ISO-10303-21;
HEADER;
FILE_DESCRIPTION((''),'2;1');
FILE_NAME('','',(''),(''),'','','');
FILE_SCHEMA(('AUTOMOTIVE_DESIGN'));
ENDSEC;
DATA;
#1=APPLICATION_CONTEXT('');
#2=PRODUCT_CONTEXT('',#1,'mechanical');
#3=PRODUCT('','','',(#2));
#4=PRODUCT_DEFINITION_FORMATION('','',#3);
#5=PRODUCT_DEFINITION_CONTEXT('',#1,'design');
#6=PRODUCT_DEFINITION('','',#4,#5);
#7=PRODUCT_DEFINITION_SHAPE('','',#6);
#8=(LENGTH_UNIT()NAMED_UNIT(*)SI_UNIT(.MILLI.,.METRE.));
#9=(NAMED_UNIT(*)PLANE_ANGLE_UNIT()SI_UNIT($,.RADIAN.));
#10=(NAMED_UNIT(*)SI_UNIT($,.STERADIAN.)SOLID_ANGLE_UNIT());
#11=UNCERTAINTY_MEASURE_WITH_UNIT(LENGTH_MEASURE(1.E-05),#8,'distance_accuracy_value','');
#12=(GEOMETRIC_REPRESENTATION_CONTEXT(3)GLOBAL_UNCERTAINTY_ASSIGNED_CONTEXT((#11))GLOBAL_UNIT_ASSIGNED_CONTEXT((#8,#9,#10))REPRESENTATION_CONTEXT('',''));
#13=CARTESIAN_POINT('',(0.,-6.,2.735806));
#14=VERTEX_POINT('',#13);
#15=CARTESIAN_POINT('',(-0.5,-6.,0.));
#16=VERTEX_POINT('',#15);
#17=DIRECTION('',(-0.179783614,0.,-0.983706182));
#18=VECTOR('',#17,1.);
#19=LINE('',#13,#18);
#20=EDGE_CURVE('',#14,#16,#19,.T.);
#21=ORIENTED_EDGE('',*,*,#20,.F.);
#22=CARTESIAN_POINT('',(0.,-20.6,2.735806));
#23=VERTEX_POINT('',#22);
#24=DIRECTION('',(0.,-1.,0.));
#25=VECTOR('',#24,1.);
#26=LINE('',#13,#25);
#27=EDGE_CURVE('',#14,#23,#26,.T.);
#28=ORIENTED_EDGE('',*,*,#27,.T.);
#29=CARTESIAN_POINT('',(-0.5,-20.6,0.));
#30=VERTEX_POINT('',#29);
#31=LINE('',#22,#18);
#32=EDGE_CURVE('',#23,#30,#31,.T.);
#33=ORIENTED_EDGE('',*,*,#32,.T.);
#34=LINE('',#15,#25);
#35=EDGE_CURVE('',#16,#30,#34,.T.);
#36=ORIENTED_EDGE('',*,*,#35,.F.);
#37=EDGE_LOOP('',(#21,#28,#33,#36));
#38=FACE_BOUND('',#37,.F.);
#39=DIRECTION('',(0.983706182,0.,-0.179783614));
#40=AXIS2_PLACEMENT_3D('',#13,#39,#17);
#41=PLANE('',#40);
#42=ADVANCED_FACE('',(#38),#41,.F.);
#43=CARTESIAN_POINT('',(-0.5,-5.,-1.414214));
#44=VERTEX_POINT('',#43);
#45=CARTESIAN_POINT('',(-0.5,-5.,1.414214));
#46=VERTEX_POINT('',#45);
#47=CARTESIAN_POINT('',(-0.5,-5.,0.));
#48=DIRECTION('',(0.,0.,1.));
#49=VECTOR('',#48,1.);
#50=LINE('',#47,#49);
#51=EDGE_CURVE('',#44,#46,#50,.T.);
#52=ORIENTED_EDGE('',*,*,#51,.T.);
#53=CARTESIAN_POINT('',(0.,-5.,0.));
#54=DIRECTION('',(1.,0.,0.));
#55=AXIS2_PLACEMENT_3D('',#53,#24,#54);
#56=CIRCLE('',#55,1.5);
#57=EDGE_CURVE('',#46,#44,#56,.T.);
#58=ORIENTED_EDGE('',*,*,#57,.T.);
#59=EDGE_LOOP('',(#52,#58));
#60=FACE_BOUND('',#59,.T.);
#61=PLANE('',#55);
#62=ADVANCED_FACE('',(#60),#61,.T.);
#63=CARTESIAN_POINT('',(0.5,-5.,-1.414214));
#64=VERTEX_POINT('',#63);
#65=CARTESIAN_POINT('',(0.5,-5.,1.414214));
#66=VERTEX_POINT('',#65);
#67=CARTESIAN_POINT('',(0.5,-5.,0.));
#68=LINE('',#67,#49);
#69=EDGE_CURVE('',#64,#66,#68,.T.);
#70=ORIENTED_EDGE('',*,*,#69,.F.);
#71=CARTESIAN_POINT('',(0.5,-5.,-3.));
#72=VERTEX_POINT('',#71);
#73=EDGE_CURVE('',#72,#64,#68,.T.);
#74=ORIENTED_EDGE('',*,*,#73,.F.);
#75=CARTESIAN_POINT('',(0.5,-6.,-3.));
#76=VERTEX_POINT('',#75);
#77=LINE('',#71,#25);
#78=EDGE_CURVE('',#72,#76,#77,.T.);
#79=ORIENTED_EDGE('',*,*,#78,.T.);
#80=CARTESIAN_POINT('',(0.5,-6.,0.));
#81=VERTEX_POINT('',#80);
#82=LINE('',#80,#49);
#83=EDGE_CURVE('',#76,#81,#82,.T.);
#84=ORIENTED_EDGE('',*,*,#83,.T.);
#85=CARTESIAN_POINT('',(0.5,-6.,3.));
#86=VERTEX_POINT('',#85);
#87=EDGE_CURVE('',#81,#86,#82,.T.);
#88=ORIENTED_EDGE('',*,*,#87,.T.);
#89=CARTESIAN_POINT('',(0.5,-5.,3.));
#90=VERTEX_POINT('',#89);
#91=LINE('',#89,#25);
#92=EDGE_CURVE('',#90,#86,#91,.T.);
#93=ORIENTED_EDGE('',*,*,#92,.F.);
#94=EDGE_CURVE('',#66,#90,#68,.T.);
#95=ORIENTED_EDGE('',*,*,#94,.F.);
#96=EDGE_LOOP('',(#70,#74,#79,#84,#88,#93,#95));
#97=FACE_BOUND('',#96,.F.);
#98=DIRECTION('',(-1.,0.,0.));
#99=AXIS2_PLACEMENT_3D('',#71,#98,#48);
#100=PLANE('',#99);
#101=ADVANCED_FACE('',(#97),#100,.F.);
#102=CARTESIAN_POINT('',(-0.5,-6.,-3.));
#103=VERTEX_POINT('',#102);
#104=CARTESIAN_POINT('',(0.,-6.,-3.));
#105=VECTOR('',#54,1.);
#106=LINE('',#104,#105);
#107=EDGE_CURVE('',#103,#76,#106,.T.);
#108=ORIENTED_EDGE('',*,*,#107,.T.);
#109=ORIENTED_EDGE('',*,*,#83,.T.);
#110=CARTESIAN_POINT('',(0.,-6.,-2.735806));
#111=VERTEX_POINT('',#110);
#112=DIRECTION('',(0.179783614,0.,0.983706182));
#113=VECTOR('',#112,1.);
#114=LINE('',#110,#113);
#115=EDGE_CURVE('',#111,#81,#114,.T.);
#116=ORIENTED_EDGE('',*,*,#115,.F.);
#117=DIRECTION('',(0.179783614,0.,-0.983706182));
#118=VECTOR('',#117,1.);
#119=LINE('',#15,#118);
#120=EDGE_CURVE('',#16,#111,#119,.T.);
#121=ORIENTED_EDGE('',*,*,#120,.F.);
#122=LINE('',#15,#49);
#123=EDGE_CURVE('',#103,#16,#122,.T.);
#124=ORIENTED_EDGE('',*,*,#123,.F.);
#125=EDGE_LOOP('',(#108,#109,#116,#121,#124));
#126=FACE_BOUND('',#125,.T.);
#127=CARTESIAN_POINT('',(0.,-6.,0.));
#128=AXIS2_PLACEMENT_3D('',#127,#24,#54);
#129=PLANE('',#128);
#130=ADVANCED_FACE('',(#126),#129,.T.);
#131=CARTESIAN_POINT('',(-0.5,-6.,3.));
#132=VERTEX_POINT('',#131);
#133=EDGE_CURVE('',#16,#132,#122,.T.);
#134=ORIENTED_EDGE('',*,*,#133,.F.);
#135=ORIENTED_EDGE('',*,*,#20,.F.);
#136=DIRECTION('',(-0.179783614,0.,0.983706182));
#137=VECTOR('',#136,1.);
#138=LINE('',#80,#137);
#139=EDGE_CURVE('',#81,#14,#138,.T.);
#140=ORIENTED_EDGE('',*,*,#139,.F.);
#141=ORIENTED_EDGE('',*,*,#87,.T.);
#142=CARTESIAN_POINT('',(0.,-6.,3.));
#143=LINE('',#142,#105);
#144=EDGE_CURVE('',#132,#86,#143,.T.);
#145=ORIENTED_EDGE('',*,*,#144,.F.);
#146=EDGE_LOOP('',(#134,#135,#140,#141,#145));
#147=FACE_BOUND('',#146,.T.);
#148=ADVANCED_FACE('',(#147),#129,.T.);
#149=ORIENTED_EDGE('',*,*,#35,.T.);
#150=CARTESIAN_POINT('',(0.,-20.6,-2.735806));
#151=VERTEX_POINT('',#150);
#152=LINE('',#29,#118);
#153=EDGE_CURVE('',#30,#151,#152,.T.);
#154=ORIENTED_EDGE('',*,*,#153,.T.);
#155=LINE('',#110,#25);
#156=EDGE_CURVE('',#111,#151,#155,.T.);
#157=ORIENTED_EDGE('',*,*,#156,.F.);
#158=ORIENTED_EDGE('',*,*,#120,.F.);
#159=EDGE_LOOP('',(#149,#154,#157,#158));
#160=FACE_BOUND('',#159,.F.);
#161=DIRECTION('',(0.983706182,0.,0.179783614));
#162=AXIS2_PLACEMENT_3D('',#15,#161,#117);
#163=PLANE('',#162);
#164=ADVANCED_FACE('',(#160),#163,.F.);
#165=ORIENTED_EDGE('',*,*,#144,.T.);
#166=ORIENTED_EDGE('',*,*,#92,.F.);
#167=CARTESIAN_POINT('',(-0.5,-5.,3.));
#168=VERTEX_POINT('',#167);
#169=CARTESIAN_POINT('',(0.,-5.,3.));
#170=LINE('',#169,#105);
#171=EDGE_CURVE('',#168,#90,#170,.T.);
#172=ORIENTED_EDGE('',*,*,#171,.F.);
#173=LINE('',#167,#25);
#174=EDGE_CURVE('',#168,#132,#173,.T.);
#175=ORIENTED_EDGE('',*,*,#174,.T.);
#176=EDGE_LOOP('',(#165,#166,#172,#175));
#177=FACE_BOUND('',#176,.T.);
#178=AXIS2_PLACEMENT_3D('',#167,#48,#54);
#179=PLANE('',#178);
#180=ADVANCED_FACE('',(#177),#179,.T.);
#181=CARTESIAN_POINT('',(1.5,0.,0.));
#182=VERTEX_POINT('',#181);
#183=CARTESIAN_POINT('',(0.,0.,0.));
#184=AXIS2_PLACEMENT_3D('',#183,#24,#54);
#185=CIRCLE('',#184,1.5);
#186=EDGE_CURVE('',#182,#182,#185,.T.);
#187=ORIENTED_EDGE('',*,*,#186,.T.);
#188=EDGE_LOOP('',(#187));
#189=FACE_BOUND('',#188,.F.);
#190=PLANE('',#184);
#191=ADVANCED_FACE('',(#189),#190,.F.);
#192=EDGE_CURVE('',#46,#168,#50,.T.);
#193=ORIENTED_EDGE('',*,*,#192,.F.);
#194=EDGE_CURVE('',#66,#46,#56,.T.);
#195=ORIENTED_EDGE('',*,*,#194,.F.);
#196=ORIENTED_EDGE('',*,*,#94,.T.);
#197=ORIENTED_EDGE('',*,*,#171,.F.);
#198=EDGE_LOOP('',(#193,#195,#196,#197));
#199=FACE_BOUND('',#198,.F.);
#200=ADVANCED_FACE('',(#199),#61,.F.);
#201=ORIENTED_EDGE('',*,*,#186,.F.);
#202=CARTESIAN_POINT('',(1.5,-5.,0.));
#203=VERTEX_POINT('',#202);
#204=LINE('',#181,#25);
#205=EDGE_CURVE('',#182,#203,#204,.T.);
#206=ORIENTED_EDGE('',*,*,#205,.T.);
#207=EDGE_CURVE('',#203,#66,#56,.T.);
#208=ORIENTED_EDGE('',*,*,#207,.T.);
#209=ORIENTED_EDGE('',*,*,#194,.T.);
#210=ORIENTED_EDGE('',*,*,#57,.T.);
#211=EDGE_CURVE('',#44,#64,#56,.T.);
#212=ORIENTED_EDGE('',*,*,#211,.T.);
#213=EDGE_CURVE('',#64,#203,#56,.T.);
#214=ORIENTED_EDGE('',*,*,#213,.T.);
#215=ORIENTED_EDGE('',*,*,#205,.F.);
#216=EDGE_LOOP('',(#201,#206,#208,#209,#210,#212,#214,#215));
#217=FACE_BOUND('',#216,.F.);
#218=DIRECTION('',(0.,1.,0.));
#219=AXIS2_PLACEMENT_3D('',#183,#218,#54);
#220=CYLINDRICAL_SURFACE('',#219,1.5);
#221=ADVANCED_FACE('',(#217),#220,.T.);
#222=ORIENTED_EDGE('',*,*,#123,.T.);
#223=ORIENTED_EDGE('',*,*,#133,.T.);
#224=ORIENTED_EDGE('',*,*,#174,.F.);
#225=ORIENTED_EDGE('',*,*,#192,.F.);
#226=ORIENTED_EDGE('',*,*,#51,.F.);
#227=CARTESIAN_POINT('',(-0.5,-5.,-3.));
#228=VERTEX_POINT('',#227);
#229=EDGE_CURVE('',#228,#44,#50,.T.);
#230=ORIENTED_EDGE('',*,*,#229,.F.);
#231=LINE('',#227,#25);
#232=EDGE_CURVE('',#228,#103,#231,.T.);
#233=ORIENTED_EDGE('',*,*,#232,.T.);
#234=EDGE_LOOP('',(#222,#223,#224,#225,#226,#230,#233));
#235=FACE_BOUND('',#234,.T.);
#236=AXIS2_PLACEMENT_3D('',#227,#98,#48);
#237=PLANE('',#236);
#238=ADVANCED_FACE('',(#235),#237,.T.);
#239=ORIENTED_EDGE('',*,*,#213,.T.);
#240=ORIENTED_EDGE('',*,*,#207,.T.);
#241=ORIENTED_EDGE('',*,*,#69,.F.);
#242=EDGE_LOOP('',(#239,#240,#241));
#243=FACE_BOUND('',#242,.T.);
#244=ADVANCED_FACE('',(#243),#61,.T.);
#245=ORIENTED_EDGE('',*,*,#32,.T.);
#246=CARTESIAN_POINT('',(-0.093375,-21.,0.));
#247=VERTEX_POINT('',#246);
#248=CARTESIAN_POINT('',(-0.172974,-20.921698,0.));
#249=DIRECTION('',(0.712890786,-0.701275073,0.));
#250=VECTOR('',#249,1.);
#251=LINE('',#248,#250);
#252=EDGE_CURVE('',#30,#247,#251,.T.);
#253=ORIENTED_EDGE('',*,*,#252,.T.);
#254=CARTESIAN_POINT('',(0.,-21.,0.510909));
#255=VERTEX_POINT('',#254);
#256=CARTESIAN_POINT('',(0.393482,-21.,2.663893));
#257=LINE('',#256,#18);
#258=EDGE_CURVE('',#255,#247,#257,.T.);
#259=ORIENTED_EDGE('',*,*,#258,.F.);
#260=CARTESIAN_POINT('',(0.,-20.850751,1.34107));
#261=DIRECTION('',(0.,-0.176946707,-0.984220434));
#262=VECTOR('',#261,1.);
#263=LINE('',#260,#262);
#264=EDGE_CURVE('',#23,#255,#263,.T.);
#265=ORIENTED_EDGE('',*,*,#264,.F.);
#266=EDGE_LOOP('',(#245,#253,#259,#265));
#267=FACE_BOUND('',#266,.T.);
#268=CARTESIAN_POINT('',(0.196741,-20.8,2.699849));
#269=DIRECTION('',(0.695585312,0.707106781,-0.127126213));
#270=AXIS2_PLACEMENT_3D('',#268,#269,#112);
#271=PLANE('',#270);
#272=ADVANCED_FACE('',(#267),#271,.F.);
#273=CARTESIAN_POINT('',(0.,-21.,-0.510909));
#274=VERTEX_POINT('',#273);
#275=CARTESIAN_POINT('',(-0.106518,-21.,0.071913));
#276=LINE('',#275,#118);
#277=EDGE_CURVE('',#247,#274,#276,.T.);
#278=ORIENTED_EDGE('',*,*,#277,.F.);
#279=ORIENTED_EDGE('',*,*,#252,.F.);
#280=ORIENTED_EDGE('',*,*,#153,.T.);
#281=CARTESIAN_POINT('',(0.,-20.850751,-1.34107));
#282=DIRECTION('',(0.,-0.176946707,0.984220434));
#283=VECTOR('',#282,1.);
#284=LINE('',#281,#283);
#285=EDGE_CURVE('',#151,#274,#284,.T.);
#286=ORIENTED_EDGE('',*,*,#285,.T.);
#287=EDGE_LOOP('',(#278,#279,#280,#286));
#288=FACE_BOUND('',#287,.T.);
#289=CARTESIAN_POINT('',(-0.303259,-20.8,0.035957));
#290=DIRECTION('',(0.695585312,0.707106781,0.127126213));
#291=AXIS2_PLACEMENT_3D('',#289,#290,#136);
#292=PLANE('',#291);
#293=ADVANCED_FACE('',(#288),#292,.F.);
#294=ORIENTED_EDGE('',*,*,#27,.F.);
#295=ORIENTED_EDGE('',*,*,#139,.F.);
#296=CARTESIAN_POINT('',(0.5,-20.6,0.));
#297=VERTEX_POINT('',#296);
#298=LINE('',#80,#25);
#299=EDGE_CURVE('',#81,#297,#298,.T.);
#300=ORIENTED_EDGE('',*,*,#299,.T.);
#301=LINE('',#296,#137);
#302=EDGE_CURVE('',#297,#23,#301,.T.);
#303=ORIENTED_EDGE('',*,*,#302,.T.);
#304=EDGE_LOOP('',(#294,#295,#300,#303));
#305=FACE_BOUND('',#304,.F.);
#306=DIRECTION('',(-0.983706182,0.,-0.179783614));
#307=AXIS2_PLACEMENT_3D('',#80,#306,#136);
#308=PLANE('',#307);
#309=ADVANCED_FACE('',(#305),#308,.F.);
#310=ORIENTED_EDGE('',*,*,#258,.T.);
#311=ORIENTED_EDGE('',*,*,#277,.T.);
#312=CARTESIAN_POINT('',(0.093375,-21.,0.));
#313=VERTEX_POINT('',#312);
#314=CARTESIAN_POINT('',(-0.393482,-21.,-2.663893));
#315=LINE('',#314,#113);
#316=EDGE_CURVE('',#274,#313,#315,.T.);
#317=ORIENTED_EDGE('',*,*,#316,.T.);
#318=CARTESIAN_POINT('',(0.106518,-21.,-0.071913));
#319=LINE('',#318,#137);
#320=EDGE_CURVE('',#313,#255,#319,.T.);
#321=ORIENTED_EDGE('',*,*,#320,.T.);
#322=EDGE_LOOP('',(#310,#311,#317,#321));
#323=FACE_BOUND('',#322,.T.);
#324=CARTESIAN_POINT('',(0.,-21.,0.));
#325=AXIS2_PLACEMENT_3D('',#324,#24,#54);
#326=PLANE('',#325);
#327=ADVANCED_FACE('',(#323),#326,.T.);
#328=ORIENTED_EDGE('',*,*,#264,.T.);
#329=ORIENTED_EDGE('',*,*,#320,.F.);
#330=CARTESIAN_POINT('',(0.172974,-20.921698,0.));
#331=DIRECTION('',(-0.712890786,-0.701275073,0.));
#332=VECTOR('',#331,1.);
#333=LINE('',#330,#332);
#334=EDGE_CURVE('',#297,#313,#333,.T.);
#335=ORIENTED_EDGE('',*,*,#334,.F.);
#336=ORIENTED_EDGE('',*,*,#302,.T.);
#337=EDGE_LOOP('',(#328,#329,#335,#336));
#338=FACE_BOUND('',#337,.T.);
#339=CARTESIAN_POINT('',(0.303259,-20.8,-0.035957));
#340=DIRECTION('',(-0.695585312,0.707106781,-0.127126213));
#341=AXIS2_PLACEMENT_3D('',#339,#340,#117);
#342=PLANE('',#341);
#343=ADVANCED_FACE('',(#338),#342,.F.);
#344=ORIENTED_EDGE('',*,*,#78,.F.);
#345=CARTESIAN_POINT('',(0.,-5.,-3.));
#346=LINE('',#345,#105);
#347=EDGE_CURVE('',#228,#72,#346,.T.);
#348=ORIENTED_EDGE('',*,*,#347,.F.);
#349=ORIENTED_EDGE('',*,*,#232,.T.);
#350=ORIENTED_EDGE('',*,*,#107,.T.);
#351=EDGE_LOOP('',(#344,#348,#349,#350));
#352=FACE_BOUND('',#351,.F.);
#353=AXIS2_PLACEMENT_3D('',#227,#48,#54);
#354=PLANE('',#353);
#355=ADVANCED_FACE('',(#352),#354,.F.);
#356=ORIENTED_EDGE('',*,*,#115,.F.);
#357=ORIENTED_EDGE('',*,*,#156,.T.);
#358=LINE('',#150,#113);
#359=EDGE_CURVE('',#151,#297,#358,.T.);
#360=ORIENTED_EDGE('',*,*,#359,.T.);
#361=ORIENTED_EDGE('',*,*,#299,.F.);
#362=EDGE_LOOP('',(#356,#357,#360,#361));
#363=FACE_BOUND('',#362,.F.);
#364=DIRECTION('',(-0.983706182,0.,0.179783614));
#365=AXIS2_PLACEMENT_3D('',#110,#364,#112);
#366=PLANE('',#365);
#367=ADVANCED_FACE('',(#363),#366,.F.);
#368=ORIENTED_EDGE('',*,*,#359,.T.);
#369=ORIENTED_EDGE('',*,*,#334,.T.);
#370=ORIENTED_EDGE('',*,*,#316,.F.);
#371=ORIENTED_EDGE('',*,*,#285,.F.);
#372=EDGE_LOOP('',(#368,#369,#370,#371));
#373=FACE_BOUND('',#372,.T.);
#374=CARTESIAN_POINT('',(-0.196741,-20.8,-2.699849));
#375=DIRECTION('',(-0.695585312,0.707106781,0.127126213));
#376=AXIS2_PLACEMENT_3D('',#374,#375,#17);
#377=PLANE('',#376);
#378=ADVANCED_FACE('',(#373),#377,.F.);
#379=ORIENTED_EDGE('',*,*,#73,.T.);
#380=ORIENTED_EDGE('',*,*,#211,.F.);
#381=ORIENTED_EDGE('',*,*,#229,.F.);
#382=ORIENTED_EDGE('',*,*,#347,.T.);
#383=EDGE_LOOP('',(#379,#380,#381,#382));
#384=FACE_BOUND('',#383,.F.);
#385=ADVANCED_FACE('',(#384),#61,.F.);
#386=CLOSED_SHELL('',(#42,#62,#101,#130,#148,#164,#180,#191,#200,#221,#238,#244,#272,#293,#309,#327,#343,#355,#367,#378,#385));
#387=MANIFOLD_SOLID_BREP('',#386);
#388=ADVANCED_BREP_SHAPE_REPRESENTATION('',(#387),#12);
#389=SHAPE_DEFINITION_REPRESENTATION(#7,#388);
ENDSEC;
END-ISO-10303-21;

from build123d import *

# Parameters (mm, degrees)
F0_R     = 1.5
F1_DEPTH = 5
F2_W     = 1
F2_H     = 6
F3_DEPTH = 1
F5_DEPTH = 15
F6_SIZE  = 0.4


with BuildPart() as f1:
    # F0 (on Front) → F1 (new body)
    with BuildSketch(Plane.XZ):
        Circle(F0_R)
    extrude(amount=F1_DEPTH)

    # F2 (on face) → F3 (join)
    with BuildSketch(Plane.XZ.offset(5)):
        Rectangle(F2_W, F2_H)
    extrude(amount=F3_DEPTH)

    # F4 (on face) → F5 (join)
    with BuildSketch(Plane.XZ.offset(6)):
        Polygon((0, 2.735806), (-0.5, 0), (0, -2.735806), (0.5, 0), align=None)
    extrude(amount=F5_DEPTH)

    # F6
    f6_edges = [f1.edges().sort_by_distance(p)[0] for p in [
        (0.25, -21, 1.367903),
        (0.25, -21, -1.367903),
        (-0.25, -21, 1.367903),
        (-0.25, -21, -1.367903),
    ]]
    chamfer(f6_edges, length=F6_SIZE)


solid = f1.part
